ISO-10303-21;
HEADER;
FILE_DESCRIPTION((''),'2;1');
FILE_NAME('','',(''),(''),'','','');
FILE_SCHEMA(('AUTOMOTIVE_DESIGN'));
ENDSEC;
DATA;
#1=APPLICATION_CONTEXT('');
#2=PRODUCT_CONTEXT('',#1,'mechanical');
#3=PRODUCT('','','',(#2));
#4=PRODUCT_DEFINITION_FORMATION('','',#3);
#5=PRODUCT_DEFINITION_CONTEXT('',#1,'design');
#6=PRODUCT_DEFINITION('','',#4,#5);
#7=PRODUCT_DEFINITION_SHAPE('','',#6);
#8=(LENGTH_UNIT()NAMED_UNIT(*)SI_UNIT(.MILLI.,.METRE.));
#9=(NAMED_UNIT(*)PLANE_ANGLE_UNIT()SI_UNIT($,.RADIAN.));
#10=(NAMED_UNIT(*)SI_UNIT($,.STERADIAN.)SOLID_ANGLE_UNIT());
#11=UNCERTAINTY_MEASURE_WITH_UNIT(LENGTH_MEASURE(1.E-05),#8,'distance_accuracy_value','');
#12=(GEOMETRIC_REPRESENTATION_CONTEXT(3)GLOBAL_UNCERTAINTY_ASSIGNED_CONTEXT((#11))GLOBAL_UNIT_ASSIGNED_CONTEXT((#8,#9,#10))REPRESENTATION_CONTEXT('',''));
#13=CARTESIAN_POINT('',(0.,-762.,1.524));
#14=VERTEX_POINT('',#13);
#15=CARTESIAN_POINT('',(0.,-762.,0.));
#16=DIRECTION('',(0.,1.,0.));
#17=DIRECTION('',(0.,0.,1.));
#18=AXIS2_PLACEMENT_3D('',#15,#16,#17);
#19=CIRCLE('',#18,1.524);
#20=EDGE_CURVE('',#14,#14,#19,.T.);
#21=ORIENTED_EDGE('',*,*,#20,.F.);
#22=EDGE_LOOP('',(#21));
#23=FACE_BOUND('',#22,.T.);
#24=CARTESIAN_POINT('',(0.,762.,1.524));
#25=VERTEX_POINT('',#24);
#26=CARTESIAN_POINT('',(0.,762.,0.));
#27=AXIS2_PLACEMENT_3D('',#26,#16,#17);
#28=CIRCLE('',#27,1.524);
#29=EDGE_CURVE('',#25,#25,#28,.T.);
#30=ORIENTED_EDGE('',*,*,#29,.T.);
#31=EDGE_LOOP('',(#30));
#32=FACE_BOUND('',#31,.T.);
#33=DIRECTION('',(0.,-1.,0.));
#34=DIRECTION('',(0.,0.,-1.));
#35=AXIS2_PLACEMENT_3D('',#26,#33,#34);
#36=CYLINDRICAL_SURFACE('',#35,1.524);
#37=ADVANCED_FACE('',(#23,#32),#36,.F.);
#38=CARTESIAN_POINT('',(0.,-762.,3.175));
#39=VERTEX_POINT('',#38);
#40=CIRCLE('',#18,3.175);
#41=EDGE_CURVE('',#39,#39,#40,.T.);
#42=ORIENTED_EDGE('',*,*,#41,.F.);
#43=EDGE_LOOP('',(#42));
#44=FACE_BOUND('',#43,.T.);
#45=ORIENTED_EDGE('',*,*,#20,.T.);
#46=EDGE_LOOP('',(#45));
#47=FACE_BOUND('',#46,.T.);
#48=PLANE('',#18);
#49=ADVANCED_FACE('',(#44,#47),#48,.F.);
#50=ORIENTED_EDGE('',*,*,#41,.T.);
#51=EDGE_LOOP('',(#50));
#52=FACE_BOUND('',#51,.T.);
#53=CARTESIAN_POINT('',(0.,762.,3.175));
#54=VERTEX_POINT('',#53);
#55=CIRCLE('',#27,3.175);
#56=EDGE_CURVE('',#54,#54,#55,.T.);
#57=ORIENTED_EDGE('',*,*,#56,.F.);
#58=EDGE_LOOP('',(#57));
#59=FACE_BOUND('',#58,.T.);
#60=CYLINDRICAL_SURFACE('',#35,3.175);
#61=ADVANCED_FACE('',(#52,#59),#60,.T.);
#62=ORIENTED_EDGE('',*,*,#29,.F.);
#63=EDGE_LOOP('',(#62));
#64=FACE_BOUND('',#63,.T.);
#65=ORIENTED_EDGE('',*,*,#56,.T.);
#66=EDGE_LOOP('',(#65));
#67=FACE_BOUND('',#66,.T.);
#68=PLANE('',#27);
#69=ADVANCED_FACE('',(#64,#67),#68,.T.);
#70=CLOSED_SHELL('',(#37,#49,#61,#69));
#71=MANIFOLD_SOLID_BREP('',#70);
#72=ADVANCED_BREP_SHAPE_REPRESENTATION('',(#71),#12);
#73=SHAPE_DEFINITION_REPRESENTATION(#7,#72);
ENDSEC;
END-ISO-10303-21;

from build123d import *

# Parameters (mm, degrees)
SKETCH1_R           = 3.175
SKETCH1_R_2         = 1.524
BOSS_EXTRUDE1_DEPTH = 762


with BuildPart() as part:
    # Sketch1 → Boss-Extrude1 (new body, symmetric)
    with BuildSketch(Plane(origin=(0, 0, 0), x_dir=(1, 0, 0), z_dir=(0, 1, 0))):
        Circle(SKETCH1_R)
        Circle(SKETCH1_R_2, mode=Mode.SUBTRACT)
    extrude(amount=BOSS_EXTRUDE1_DEPTH, both=True)


solid = part.part
